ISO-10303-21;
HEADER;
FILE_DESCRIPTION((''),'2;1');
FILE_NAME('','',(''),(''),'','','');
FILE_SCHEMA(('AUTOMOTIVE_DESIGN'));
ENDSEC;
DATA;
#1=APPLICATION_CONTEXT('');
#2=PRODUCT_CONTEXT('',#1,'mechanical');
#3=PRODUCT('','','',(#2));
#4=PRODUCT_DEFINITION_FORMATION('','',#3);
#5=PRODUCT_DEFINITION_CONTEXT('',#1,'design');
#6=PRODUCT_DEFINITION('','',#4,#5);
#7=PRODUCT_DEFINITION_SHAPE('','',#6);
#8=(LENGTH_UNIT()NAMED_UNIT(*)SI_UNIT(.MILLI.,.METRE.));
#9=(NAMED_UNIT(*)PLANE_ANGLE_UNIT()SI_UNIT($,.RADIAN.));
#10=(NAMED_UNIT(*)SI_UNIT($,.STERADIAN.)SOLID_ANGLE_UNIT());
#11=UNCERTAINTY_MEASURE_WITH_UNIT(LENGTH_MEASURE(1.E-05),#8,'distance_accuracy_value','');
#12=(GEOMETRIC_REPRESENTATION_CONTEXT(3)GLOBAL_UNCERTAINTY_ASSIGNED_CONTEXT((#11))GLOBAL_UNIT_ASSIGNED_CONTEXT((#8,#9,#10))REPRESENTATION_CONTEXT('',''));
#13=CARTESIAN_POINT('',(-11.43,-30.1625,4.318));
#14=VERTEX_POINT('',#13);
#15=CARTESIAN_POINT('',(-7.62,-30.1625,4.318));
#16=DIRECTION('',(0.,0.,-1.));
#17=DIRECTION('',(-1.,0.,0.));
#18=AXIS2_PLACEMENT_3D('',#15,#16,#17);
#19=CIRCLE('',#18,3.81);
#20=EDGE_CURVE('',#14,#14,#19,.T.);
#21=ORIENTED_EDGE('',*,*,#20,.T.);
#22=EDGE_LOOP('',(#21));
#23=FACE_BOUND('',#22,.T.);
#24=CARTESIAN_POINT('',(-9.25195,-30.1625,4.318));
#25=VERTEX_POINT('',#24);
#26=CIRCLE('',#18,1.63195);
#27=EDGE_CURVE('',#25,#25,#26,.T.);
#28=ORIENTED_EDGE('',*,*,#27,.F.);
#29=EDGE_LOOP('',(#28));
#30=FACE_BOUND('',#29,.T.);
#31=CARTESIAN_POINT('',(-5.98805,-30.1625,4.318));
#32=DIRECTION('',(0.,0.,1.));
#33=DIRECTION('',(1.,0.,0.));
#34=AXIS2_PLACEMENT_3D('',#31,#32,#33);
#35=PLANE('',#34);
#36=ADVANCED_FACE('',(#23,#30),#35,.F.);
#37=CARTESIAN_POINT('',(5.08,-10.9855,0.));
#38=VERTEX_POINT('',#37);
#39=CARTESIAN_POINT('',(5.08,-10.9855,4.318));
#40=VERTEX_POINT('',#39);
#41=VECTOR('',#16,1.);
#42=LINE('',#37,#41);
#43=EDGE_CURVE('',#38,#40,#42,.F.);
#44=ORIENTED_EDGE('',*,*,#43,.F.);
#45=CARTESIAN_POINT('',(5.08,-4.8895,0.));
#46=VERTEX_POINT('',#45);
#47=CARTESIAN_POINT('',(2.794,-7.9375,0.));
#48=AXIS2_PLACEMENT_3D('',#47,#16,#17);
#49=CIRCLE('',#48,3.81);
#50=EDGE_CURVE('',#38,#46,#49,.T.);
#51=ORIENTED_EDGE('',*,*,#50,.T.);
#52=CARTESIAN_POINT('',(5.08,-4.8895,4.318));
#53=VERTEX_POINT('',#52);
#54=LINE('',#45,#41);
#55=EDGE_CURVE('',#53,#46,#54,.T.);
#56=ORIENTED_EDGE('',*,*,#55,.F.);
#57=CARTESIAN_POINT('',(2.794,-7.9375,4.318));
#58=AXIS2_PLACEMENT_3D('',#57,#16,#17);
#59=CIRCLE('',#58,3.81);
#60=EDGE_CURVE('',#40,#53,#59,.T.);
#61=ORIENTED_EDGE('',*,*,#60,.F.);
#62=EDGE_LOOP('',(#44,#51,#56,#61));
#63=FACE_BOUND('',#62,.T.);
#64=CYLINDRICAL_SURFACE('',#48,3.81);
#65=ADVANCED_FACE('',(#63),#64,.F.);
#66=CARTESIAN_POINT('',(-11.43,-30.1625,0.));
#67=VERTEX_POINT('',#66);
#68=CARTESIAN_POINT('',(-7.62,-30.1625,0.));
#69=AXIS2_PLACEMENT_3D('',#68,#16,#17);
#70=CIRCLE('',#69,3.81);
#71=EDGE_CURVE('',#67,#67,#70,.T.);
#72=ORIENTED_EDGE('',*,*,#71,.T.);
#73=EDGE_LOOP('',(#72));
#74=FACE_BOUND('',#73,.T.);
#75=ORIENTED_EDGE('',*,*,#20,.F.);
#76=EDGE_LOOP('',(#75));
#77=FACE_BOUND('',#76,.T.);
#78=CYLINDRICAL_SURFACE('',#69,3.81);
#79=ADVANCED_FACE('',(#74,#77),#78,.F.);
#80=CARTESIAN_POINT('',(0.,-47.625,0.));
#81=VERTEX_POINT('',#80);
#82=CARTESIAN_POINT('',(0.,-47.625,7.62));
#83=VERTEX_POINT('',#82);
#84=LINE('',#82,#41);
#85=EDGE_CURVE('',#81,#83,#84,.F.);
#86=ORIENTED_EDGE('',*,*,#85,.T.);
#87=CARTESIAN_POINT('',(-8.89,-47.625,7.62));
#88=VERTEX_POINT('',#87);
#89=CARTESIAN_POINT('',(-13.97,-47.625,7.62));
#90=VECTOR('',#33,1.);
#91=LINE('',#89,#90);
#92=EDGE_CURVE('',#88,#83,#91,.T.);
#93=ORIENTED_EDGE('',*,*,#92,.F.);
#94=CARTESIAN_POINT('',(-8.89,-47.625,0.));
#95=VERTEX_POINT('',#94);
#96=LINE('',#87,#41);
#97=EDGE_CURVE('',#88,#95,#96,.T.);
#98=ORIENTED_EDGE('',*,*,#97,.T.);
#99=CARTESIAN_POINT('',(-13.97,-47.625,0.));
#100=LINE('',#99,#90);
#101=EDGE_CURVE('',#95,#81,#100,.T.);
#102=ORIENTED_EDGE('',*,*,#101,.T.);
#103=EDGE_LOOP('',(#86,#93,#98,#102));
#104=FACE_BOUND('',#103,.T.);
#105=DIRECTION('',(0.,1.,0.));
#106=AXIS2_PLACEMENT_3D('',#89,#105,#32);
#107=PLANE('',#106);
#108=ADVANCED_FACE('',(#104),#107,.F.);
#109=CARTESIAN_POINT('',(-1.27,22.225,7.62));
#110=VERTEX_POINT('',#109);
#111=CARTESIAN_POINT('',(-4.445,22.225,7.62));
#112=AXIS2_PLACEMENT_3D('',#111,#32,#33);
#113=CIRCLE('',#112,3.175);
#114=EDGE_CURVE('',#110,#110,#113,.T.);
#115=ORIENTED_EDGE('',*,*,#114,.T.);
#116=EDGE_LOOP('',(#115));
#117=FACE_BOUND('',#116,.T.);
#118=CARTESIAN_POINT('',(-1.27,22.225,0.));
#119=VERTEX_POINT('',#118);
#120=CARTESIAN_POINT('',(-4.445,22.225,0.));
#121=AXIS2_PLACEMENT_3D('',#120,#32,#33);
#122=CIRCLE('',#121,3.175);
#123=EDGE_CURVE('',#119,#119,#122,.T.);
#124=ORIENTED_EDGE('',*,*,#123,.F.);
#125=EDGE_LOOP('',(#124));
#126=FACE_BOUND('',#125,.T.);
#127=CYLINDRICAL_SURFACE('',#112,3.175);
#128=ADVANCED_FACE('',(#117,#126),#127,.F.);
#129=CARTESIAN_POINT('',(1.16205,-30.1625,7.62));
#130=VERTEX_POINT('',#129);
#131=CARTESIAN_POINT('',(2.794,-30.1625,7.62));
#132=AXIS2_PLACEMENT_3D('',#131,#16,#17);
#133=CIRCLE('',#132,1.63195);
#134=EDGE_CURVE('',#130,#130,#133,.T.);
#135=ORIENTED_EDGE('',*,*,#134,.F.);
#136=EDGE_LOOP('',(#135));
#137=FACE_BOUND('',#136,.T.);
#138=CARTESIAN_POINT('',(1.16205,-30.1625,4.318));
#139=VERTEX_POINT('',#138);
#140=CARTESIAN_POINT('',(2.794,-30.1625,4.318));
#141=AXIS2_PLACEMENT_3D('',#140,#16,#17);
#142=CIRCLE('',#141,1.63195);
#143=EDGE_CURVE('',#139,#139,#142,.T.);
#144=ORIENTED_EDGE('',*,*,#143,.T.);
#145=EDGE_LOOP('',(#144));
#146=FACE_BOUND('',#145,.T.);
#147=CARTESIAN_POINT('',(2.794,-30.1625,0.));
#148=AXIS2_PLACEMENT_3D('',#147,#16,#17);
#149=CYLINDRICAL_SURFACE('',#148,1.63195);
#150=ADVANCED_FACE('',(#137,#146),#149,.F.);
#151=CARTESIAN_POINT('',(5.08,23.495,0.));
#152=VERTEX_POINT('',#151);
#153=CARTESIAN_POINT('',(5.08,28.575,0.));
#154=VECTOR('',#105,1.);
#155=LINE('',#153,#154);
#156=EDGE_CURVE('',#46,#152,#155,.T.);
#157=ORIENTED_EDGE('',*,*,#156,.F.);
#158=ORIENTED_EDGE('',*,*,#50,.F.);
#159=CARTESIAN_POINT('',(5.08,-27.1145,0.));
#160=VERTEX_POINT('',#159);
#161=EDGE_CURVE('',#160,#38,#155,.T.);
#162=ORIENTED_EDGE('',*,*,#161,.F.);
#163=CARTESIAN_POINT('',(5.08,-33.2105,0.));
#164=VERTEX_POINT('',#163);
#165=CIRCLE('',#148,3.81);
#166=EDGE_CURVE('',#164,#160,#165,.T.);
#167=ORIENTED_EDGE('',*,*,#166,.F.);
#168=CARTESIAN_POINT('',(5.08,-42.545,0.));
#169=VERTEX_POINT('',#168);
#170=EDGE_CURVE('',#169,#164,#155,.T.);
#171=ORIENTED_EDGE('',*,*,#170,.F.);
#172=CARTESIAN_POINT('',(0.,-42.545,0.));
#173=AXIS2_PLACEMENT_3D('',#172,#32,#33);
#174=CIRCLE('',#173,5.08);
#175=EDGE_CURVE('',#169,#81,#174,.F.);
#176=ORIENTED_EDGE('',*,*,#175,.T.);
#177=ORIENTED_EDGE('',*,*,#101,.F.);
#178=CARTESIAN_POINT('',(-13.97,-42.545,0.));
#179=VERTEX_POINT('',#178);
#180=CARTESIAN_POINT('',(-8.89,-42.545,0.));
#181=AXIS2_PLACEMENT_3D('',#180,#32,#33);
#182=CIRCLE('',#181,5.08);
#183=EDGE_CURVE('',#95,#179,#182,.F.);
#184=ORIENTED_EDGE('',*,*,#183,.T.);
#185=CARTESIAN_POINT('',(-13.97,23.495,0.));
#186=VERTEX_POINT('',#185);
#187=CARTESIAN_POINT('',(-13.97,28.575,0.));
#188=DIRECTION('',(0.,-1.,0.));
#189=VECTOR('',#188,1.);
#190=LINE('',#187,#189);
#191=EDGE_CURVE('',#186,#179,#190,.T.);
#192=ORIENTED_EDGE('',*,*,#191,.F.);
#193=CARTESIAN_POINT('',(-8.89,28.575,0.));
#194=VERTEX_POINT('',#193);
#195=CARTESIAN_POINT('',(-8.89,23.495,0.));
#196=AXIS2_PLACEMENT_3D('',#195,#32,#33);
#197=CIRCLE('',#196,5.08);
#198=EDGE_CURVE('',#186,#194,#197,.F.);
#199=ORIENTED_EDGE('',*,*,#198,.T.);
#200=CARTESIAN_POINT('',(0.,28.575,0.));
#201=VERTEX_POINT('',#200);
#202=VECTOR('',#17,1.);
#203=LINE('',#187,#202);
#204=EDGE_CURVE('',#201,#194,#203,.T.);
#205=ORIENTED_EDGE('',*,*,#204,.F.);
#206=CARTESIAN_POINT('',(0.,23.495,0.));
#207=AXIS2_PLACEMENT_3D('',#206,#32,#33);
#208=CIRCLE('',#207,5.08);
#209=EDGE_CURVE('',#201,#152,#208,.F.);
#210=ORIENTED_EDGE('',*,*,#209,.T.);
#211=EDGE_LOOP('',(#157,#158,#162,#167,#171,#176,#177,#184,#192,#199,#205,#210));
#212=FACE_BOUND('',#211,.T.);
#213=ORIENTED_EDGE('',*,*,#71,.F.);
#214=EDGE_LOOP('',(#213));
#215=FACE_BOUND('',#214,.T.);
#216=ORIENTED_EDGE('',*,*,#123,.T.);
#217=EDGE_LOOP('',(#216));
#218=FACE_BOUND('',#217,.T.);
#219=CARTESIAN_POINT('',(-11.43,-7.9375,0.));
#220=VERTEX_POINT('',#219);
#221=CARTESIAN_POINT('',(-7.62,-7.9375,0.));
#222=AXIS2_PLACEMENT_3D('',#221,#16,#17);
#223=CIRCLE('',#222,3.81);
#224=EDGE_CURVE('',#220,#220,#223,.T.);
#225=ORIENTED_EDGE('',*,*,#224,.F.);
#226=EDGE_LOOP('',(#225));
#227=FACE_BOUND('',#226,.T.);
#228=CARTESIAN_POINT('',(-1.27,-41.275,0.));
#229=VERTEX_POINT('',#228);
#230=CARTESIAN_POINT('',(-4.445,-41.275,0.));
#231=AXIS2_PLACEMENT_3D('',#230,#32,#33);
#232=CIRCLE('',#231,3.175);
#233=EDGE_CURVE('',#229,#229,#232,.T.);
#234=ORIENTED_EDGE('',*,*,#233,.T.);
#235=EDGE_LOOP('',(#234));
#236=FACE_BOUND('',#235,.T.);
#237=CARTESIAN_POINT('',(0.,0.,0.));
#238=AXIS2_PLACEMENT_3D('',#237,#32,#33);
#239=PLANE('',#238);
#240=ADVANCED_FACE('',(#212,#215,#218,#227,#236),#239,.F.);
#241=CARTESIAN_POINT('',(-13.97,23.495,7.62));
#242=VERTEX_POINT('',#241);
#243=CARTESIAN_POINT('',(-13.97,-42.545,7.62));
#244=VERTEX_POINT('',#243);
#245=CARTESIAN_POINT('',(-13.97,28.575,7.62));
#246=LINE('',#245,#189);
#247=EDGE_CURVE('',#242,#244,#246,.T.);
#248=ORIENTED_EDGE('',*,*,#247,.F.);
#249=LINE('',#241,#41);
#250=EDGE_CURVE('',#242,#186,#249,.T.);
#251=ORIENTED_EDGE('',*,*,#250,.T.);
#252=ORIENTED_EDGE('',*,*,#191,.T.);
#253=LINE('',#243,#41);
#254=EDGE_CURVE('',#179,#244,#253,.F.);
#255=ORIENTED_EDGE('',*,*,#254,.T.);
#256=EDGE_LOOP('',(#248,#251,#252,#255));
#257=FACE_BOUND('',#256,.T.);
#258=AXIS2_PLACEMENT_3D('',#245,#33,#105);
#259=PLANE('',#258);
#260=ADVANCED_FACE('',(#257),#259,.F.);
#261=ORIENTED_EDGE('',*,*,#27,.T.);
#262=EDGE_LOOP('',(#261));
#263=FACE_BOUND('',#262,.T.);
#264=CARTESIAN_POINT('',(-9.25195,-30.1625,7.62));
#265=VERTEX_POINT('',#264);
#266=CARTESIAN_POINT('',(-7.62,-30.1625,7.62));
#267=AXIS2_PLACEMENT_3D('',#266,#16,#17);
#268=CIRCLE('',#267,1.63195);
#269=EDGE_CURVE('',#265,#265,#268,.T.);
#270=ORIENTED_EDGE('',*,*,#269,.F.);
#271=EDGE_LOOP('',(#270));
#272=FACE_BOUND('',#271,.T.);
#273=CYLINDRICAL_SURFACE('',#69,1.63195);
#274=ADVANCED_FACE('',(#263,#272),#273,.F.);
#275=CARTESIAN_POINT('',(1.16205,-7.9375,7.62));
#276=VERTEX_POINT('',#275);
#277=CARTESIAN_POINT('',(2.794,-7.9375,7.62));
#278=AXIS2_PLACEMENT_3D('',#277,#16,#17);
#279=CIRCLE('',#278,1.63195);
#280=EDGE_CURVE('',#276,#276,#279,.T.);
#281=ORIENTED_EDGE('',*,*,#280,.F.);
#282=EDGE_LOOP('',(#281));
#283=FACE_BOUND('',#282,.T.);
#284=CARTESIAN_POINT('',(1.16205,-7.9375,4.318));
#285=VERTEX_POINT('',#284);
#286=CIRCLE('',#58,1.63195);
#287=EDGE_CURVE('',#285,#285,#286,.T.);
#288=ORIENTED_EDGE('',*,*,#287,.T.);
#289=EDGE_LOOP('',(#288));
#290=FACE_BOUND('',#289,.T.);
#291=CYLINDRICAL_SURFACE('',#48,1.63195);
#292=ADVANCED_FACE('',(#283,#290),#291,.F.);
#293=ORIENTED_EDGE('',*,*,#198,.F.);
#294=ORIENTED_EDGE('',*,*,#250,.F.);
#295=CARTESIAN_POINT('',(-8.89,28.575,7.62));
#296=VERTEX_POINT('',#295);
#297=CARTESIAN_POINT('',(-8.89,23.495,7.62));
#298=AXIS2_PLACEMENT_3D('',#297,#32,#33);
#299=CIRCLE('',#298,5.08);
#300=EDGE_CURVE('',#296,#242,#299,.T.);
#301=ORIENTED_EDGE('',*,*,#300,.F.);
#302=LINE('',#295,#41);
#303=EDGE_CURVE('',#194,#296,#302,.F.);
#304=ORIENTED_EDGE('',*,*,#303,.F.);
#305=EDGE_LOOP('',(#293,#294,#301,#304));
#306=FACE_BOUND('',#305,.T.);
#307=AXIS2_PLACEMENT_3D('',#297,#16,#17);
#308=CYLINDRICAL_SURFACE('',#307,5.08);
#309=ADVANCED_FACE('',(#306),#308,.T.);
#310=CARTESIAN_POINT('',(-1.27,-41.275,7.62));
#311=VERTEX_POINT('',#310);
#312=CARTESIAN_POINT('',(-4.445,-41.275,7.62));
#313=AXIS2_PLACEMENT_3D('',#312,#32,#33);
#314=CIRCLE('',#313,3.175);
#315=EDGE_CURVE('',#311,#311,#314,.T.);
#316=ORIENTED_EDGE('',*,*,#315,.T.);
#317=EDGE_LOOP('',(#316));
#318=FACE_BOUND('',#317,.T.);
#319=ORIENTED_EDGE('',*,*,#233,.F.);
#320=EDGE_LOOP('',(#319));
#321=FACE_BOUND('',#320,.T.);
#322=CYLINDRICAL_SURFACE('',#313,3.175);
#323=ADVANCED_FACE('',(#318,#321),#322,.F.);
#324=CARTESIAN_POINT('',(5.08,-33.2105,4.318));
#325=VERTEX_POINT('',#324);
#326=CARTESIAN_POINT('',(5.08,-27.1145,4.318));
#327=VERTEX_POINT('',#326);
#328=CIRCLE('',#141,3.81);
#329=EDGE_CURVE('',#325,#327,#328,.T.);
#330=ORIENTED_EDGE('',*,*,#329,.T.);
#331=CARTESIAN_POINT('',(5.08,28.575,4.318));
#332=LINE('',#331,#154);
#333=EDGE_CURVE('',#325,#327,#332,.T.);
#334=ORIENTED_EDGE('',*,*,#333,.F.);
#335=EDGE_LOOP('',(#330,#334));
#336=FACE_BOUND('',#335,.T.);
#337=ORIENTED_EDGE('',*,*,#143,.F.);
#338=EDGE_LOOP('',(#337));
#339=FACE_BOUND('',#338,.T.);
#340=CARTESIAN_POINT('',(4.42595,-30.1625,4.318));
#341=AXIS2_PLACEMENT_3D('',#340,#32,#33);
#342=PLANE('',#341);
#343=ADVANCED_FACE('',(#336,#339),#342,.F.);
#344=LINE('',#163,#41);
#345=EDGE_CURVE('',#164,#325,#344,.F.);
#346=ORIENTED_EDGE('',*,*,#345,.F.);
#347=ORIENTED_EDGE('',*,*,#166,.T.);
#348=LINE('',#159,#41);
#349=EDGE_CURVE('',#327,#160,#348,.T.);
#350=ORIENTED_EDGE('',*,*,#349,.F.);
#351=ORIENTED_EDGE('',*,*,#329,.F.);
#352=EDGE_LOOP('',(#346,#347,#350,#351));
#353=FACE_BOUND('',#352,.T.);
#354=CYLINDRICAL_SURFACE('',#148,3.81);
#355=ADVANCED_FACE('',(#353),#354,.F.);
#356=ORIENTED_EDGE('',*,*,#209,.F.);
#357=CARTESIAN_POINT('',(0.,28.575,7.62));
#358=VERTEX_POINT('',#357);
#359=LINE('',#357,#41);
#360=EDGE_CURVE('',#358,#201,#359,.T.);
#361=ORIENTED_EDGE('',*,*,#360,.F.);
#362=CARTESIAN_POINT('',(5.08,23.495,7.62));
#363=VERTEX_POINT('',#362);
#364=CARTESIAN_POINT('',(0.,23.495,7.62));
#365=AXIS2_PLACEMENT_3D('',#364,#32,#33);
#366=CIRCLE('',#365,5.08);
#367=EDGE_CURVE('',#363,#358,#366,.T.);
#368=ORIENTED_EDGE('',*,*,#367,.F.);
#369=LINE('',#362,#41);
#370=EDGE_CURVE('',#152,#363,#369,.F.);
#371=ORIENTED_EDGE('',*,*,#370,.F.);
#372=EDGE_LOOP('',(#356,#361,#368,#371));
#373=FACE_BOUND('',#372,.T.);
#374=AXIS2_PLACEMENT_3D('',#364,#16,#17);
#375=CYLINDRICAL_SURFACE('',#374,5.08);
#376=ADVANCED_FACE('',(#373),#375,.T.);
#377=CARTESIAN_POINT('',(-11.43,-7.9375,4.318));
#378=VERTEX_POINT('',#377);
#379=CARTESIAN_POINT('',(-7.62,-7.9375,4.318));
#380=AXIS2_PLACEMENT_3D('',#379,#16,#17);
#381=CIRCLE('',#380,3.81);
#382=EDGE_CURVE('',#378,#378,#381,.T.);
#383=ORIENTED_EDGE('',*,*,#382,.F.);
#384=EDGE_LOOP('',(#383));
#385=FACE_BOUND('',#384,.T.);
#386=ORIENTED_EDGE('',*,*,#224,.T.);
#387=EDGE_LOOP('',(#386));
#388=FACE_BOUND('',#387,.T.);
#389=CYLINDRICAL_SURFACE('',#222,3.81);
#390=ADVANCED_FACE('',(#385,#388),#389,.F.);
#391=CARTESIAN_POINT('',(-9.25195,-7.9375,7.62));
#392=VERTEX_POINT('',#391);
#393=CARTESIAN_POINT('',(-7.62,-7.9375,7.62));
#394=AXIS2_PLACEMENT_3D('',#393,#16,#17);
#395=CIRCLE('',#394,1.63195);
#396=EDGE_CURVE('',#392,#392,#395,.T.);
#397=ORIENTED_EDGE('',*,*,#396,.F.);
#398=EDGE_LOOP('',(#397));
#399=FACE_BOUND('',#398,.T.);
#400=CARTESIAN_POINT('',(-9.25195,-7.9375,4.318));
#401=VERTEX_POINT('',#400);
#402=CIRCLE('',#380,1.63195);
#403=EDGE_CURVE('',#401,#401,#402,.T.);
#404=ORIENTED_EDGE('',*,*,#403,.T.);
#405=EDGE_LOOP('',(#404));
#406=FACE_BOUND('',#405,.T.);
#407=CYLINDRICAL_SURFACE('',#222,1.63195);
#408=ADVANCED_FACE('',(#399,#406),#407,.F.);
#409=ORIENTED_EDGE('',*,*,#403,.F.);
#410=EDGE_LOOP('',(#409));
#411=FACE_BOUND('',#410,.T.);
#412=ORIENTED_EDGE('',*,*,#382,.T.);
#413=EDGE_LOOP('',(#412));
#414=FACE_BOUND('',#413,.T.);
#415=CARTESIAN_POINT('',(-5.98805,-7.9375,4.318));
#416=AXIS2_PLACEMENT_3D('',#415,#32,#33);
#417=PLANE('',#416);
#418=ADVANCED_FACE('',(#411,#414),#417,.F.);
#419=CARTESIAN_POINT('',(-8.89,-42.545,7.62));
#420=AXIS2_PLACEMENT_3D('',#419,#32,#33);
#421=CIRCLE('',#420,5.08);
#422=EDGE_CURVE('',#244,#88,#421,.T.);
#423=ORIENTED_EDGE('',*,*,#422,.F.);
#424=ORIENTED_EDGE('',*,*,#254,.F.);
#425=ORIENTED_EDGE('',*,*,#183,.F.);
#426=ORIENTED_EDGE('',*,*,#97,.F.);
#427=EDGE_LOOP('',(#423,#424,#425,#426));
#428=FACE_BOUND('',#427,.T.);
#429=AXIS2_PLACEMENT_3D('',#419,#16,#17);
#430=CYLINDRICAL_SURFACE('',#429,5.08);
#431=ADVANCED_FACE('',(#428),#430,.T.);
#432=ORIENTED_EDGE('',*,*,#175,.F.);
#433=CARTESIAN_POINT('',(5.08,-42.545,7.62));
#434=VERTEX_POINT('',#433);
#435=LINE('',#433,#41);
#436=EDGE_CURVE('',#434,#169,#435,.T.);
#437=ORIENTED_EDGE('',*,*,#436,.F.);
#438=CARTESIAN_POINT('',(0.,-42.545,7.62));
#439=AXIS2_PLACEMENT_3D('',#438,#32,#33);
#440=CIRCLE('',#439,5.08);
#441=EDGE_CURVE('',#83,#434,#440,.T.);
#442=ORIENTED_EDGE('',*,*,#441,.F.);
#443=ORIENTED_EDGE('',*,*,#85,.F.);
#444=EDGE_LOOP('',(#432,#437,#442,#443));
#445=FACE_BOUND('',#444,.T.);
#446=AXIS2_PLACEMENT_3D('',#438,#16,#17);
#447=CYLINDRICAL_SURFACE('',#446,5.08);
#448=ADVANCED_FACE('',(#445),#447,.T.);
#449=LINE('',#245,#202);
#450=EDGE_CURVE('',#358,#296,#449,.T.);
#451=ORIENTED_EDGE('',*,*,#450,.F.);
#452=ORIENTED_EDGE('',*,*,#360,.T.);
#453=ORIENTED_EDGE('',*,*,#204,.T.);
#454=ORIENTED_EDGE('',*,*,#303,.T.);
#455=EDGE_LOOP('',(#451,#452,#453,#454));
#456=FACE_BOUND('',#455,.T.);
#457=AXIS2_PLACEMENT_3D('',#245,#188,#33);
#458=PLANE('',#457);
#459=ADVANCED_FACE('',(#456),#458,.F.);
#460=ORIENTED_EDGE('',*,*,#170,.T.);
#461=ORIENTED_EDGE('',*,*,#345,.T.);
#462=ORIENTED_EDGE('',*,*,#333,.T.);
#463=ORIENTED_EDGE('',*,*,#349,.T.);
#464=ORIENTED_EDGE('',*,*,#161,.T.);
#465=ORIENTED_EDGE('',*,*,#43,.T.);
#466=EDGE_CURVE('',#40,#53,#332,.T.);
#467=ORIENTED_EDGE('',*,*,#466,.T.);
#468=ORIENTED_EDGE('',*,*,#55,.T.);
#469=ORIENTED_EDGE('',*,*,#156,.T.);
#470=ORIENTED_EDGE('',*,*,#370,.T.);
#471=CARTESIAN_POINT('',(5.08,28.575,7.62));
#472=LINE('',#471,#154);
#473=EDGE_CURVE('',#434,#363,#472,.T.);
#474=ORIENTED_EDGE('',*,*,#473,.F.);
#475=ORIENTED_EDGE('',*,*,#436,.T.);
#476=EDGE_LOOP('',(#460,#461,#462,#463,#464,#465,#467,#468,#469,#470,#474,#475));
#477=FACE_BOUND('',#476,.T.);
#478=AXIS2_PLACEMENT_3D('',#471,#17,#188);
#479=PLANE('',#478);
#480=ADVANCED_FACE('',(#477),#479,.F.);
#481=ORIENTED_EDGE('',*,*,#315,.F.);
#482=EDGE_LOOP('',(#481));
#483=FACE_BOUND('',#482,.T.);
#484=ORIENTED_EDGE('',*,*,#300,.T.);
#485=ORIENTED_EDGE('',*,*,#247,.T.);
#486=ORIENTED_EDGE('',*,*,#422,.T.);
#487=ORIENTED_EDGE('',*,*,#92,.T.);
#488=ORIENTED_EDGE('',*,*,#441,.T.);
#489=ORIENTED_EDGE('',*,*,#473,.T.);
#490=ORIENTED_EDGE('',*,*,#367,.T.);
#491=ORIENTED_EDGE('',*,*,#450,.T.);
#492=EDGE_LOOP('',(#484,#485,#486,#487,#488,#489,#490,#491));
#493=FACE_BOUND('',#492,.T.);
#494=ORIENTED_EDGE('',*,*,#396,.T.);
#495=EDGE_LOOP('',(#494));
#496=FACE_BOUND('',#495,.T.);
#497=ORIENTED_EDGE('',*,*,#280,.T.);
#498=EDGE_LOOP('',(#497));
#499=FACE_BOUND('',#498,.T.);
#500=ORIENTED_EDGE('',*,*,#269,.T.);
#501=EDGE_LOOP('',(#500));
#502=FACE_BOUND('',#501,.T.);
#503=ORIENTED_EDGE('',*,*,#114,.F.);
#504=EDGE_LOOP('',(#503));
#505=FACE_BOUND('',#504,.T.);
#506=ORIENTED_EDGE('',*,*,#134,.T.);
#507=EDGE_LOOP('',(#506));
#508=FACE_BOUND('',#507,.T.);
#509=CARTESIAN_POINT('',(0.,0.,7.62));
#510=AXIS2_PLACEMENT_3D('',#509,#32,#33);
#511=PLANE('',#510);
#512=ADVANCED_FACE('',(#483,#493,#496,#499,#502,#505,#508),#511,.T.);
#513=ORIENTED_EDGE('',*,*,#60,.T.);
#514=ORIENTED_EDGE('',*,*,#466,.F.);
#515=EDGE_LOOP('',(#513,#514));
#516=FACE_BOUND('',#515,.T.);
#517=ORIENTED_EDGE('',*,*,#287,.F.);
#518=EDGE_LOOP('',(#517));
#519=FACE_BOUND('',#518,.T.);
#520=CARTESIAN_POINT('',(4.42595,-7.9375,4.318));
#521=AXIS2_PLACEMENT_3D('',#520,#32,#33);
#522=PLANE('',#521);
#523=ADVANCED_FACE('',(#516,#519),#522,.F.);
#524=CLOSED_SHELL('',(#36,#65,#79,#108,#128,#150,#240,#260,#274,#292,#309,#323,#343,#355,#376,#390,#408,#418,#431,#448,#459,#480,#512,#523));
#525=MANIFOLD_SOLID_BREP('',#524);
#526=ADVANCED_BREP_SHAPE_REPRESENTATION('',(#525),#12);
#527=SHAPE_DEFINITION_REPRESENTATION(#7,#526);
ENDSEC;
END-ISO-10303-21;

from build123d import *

# Parameters (mm, degrees)
SKETCH1_W                                      = 19.05
SKETCH1_H                                      = 76.2
BOSS_EXTRUDE1_DEPTH                            = 7.62
F_1_4_0_25_DIAMETER_HOLE1_D                    = 6.35
F_1_4_0_25_DIAMETER_HOLE1_DEPTH                = 25.4
F_1_4_0_25_DIAMETER_HOLE1_TIP                  = 1.907732465
CBORE_FOR_4_SOCKET_HEAD_CAP_SCREW5_D           = 3.2639
CBORE_FOR_4_SOCKET_HEAD_CAP_SCREW5_CBORE_D     = 7.62
CBORE_FOR_4_SOCKET_HEAD_CAP_SCREW5_CBORE_DEPTH = 4.318
FILLET1_R                                      = 5.08


with BuildPart() as part:
    # Sketch1 → Boss-Extrude1 (new body)
    with BuildSketch(Plane.XY):
        with Locations((-4.445, -9.525)):
            Rectangle(SKETCH1_W, SKETCH1_H)
    extrude(amount=BOSS_EXTRUDE1_DEPTH)

    # 1/4 (0.25) Diameter Hole1
    with Locations(Plane.XY.offset(7.62)):
        with Locations((-4.445, 22.225), (-4.445, -41.275)):
            Hole(F_1_4_0_25_DIAMETER_HOLE1_D / 2, depth=F_1_4_0_25_DIAMETER_HOLE1_DEPTH)
            with Locations((0, 0, -(F_1_4_0_25_DIAMETER_HOLE1_DEPTH + F_1_4_0_25_DIAMETER_HOLE1_TIP / 2))):  # 118° drill point
                Cone(0, F_1_4_0_25_DIAMETER_HOLE1_D / 2, F_1_4_0_25_DIAMETER_HOLE1_TIP, mode=Mode.SUBTRACT)

    # CBORE for #4 Socket Head Cap Screw5 (through all)
    with Locations(Plane(origin=(-2.017261163, -3.813643011, 0), x_dir=(1, 0, 0), z_dir=(0, 0, -1))):
        with Locations((-5.602738837, 4.123856989), (-5.602738837, 26.348856989), (4.811261163, 26.348856989), (4.811261163, 4.123856989)):
            CounterBoreHole(CBORE_FOR_4_SOCKET_HEAD_CAP_SCREW5_D / 2, CBORE_FOR_4_SOCKET_HEAD_CAP_SCREW5_CBORE_D / 2, CBORE_FOR_4_SOCKET_HEAD_CAP_SCREW5_CBORE_DEPTH)

    # Fillet1
    fillet1_edges = [part.edges().sort_by_distance(p)[0] for p in [
        (-13.97, 28.575, 3.81),
        (5.08, 28.575, 3.81),
        (5.08, -47.625, 3.81),
        (-13.97, -47.625, 3.81),
    ]]
    fillet(fillet1_edges, radius=FILLET1_R)


solid = part.part
